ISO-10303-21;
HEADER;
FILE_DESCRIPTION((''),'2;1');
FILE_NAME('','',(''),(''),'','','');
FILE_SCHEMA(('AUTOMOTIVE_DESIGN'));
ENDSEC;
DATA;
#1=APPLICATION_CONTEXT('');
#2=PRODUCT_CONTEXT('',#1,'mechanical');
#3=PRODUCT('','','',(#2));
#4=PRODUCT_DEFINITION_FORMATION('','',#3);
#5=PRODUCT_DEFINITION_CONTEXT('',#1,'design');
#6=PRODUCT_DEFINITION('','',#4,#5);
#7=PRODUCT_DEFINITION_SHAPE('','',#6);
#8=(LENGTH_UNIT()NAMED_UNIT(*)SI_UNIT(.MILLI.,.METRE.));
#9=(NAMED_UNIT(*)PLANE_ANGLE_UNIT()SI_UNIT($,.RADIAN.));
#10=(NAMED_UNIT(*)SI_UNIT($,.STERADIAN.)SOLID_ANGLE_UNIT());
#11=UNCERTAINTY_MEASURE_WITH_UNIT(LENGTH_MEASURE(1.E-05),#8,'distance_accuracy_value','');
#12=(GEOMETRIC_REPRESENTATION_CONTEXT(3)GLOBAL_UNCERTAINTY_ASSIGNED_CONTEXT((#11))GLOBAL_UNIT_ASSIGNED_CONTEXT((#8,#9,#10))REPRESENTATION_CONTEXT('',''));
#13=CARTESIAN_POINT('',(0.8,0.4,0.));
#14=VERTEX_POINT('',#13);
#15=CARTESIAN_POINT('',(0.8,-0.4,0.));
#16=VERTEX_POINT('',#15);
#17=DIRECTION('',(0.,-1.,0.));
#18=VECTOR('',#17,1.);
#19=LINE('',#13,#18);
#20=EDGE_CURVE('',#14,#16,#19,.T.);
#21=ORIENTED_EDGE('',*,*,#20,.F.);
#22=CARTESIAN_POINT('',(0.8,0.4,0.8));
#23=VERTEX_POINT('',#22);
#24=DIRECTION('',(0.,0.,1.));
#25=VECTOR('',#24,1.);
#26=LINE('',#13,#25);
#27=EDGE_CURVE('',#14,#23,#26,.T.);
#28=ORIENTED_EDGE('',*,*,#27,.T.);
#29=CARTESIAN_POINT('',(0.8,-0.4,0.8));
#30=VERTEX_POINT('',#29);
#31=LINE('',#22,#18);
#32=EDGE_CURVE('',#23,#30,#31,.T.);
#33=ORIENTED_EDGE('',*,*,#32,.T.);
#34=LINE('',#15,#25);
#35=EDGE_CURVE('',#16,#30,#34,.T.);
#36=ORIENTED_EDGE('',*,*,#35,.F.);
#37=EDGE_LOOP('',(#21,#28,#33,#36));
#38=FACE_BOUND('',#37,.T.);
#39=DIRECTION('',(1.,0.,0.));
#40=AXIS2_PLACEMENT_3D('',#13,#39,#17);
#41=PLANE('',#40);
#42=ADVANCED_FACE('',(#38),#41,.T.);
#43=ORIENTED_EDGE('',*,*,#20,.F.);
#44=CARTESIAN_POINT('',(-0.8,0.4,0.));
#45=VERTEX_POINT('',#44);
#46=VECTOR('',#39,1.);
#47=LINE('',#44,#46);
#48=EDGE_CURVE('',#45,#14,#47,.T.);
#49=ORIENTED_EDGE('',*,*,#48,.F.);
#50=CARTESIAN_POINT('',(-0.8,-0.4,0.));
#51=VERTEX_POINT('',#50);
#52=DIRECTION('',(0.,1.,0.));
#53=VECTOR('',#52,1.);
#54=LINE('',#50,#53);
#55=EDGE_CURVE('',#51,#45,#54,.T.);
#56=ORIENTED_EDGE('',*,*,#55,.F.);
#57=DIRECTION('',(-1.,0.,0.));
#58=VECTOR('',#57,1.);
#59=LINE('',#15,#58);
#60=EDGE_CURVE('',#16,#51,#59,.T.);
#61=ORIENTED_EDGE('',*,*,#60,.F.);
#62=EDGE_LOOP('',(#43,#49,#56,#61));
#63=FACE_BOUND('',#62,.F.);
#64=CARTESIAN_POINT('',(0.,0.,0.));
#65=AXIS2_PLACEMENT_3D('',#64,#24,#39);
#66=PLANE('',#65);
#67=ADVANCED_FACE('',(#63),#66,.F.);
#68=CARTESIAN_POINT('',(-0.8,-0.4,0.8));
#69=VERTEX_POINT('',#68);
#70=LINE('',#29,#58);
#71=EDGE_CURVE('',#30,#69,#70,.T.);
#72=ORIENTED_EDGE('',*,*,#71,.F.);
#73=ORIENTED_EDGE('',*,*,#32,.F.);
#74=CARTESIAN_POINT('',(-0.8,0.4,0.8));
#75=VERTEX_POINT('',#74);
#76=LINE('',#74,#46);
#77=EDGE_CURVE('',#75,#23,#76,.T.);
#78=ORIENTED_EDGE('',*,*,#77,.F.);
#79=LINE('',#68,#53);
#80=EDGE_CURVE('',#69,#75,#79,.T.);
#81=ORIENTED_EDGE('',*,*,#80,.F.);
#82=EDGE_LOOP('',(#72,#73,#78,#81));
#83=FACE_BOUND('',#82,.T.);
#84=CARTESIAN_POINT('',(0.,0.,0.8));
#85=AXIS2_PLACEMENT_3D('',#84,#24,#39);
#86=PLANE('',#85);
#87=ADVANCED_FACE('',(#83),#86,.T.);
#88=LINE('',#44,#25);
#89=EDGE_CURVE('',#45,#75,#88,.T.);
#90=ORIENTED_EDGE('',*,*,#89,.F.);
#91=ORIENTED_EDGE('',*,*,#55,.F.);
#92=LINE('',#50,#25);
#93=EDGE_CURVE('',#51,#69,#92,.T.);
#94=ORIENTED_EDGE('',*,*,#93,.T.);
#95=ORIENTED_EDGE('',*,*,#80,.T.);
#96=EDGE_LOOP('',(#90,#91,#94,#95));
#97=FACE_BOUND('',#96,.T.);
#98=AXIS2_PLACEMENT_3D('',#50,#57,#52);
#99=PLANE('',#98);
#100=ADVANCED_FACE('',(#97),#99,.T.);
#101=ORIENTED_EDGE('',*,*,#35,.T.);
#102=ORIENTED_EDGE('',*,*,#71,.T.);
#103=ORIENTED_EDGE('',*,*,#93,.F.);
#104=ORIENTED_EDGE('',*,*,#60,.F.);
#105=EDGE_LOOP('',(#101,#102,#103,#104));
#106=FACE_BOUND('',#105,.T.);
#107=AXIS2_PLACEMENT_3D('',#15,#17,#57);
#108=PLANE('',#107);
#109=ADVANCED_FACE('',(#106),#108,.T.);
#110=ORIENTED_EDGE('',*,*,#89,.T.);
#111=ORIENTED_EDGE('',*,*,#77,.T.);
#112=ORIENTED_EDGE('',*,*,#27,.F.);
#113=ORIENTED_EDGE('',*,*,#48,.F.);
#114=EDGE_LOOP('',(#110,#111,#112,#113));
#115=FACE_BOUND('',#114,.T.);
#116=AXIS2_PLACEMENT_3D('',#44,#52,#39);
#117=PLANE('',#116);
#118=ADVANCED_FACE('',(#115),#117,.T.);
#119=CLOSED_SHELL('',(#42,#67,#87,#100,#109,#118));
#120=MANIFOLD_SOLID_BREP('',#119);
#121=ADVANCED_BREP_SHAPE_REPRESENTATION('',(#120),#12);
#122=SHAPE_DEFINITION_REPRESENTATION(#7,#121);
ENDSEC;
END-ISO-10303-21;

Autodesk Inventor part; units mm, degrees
ref_plane "YZ Plane" through (0, 0, 0) normal (1, 0, 0) x (0, 1, 0)
ref_plane "XZ Plane" through (0, 0, 0) normal (0, 1, 0) x (-1, 0, 0)
ref_plane "XY Plane" through (0, 0, 0) normal (0, 0, 1) x (1, 0, 0)
sketch "C0603, 1nF_332" plane through (0, 0, 0) normal (0, 0, 1) x (1, 0, 0)
  line L0 (-0.8, -0.4) -> (-0.8, 0.4)
  line L1 (-0.8, 0.4) -> (0.8, 0.4)
  line L2 (0.8, 0.4) -> (0.8, -0.4)
  line L3 (0.8, -0.4) -> (-0.8, -0.4)
extrude "Extrusion1" add sketch "C0603, 1nF_332" along normal blind 0.8
properties part number "1nF"
